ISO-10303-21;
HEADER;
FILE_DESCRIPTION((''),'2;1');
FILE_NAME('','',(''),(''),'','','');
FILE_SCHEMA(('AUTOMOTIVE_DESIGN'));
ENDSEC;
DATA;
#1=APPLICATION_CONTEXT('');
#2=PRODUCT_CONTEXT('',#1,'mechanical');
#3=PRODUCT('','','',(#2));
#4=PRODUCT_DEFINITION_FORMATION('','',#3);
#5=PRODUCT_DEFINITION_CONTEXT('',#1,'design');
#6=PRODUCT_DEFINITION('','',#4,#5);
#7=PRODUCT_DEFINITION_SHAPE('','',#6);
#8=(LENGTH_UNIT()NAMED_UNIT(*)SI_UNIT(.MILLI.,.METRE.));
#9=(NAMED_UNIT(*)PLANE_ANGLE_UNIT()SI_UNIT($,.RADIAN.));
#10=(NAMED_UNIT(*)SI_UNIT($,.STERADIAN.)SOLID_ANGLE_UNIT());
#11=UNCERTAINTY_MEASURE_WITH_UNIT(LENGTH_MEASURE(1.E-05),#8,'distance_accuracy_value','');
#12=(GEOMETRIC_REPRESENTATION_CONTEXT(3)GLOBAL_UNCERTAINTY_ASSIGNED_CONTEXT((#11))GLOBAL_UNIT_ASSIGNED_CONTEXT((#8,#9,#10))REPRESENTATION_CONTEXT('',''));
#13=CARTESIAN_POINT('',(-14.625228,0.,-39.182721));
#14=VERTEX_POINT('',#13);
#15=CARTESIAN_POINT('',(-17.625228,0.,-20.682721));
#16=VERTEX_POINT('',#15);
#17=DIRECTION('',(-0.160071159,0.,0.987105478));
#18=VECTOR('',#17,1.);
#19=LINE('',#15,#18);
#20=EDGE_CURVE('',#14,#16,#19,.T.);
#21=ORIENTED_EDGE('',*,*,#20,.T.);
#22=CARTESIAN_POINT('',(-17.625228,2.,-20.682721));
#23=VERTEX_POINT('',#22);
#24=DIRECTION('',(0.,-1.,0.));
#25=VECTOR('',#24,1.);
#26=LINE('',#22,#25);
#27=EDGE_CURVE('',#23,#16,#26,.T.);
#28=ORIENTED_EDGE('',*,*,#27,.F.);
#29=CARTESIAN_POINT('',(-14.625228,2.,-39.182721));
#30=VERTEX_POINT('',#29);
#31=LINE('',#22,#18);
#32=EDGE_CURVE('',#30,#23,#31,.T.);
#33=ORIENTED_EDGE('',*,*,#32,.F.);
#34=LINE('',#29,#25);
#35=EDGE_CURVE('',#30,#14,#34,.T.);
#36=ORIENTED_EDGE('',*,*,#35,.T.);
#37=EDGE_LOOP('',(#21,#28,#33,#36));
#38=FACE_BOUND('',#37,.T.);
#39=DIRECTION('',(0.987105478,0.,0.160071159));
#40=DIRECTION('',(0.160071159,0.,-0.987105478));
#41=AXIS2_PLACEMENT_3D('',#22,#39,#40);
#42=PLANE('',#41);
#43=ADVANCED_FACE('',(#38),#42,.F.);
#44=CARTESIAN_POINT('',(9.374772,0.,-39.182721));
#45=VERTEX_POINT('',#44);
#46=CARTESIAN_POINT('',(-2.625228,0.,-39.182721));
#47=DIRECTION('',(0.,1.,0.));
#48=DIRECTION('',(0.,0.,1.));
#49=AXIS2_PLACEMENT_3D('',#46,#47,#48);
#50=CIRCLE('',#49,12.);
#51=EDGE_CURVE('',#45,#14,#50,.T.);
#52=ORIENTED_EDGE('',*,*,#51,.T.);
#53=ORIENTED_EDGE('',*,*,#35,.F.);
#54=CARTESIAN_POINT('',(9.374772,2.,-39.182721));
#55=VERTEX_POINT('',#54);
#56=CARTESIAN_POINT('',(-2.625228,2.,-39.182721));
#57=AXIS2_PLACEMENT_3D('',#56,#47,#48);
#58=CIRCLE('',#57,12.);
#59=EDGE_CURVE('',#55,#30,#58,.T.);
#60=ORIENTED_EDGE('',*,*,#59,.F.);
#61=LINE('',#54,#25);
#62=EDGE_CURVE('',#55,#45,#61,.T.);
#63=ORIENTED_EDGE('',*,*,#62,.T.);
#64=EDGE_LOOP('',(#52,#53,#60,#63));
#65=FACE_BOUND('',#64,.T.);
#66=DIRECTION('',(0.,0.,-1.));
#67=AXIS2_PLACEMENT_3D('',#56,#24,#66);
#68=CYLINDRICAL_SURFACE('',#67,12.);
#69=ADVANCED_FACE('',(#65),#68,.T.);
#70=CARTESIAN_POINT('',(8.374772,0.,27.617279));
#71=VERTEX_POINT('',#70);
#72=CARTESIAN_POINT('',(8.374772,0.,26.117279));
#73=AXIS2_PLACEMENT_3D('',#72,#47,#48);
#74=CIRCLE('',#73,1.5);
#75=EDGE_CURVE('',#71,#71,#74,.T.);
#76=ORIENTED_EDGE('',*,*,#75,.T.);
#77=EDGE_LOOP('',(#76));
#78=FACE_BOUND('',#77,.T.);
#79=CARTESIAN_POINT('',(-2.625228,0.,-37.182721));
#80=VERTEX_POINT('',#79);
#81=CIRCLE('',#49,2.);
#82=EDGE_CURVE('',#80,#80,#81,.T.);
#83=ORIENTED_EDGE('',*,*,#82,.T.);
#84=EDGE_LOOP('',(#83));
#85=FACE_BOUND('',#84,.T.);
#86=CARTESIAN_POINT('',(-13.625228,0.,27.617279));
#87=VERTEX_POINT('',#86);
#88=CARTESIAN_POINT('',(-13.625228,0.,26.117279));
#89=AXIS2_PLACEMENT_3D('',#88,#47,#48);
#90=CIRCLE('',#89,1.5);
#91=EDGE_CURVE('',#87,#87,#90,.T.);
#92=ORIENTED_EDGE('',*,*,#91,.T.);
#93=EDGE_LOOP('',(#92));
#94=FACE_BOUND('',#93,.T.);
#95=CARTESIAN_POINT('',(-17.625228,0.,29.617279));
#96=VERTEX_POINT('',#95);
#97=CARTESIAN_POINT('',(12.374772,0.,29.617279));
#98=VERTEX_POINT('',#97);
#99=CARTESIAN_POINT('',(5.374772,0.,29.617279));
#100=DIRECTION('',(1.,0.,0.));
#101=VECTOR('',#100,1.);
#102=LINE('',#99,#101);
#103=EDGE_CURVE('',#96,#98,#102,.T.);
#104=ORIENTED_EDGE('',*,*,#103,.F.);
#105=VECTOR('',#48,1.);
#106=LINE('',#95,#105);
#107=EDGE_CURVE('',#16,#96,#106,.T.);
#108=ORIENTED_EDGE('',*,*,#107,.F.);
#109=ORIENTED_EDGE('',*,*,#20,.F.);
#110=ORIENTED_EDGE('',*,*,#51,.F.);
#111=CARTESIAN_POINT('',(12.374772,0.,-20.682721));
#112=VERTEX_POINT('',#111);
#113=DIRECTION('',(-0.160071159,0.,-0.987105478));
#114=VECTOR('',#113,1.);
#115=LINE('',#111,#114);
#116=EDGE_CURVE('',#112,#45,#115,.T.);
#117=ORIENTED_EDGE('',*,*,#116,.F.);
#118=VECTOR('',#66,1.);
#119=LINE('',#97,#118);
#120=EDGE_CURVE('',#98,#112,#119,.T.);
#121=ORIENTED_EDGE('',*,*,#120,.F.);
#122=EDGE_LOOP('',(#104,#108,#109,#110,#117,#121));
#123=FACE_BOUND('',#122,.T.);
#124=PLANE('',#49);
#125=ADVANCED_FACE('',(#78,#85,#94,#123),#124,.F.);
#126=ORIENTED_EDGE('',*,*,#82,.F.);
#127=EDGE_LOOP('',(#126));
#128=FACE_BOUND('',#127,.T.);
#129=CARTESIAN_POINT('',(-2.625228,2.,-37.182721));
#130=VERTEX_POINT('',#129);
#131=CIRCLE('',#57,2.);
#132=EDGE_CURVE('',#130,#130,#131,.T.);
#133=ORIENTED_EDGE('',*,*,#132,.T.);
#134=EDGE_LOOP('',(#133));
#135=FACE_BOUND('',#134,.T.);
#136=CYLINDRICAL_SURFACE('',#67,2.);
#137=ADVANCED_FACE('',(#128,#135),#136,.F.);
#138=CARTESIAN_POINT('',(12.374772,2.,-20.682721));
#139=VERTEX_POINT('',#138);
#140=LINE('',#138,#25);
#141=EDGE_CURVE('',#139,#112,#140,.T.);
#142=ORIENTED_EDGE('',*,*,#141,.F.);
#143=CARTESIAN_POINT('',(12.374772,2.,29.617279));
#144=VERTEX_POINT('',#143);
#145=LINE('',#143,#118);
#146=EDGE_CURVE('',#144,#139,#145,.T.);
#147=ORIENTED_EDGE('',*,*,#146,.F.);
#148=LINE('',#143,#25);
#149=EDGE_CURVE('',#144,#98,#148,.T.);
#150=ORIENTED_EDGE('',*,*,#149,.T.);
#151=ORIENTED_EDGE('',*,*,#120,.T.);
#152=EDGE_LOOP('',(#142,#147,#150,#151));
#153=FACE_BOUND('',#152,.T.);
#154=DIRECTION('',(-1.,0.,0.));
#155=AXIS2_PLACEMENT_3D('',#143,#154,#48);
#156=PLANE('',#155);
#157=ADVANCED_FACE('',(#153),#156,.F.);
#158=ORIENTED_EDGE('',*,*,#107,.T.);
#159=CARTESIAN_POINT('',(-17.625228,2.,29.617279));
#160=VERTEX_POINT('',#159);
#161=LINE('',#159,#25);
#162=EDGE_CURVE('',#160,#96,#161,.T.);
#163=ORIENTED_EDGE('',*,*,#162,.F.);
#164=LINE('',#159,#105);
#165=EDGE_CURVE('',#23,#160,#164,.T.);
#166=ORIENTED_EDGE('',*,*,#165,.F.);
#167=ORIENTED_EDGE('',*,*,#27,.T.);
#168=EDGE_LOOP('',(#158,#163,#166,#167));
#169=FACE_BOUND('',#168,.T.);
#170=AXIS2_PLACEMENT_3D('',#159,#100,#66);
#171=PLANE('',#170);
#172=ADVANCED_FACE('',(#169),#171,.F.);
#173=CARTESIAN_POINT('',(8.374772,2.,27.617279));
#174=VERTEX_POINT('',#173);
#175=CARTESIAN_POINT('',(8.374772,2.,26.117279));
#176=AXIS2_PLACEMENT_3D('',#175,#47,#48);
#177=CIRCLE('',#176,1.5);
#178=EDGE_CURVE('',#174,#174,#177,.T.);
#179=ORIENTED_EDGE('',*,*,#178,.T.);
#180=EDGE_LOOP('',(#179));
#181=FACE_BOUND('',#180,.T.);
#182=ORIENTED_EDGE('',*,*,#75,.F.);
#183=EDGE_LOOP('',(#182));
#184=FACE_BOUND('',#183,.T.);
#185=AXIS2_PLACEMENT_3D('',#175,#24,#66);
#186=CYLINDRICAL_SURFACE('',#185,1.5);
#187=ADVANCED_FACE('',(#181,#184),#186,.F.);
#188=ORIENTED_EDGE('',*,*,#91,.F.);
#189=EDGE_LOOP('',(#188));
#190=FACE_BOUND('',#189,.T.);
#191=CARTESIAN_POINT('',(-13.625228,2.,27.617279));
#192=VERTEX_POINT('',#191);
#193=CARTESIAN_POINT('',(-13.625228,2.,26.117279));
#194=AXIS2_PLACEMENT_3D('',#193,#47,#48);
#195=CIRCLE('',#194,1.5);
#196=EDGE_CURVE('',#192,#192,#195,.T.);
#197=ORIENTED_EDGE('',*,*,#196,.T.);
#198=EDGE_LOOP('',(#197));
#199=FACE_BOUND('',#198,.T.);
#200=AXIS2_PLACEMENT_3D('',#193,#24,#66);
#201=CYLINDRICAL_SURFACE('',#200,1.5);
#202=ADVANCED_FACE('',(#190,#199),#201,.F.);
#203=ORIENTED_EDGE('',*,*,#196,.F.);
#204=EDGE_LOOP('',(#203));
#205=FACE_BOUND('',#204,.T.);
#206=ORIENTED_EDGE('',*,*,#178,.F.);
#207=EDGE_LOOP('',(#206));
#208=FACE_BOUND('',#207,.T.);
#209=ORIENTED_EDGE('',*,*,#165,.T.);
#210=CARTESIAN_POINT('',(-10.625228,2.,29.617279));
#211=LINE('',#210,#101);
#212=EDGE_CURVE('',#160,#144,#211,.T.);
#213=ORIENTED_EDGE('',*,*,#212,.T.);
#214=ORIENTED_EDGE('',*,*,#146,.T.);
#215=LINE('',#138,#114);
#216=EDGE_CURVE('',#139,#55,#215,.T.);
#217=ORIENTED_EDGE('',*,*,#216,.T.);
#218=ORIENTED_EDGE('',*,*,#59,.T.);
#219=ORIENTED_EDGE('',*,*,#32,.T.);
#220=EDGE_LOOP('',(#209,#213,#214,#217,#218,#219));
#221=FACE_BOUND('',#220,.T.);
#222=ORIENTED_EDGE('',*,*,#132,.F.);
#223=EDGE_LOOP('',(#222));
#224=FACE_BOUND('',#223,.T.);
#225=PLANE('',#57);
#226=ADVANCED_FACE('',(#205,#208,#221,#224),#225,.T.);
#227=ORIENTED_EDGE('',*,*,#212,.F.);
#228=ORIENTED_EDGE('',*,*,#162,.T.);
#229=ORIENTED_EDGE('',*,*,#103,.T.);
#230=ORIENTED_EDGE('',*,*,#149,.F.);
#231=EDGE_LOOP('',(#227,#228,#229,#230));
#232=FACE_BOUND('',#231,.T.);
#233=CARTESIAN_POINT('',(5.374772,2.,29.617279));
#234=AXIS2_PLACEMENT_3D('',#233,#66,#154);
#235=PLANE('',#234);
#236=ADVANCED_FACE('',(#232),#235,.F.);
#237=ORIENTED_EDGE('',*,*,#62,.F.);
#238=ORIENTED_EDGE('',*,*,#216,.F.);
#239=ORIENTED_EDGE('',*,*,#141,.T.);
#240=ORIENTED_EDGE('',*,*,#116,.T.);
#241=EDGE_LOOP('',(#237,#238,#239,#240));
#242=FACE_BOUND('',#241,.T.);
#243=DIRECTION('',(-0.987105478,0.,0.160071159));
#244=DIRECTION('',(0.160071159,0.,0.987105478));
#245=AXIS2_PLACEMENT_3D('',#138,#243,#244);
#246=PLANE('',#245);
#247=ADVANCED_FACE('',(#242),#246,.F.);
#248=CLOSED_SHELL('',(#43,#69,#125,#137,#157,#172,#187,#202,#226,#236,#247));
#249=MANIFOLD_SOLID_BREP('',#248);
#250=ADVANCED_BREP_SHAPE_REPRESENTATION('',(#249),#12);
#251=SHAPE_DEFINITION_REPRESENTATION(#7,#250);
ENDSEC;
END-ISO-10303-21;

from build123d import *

# Parameters (mm, degrees)
SKETCH_1_R      = 1.5
SKETCH_1_R_2    = 2
EXTRUDE_1_DEPTH = 2


with BuildPart() as part:
    # Эскиз1 → Бобышка-Вытянуть1 (new body)
    with BuildSketch(Plane(origin=(0, 0, 0), x_dir=(1, 0, 0), z_dir=(0, 1, 0))):
        with BuildLine():
            Line((12.374772085, -29.617278809), (12.374772085, 20.682721191))
            Line((12.374772085, 20.682721191), (9.374772085, 39.182721191))
            ThreePointArc((9.374772085, 39.182721191), (-2.625227915, 51.182721191), (-14.625227915, 39.182721191))
            Line((-14.625227915, 39.182721191), (-17.625227915, 20.682721191))
            Line((-17.625227915, 20.682721191), (-17.625227915, -29.617278809))
            Line((-17.625227915, -29.617278809), (-10.625227915, -29.617278809))
            Line((-10.625227915, -29.617278809), (5.374772085, -29.617278809))
            Line((5.374772085, -29.617278809), (12.374772085, -29.617278809))
        make_face()
        with Locations(Location((-13.625227915, -26.117278809, 0), (0, 0, 270))):
            Circle(SKETCH_1_R, mode=Mode.SUBTRACT)
        with Locations(Location((8.374772085, -26.117278809, 0), (0, 0, 270))):
            Circle(SKETCH_1_R, mode=Mode.SUBTRACT)
        with Locations(Location((-2.625227915, 39.182721191, 0), (0, 0, 270))):
            Circle(SKETCH_1_R_2, mode=Mode.SUBTRACT)
    extrude(amount=EXTRUDE_1_DEPTH)


solid = part.part
